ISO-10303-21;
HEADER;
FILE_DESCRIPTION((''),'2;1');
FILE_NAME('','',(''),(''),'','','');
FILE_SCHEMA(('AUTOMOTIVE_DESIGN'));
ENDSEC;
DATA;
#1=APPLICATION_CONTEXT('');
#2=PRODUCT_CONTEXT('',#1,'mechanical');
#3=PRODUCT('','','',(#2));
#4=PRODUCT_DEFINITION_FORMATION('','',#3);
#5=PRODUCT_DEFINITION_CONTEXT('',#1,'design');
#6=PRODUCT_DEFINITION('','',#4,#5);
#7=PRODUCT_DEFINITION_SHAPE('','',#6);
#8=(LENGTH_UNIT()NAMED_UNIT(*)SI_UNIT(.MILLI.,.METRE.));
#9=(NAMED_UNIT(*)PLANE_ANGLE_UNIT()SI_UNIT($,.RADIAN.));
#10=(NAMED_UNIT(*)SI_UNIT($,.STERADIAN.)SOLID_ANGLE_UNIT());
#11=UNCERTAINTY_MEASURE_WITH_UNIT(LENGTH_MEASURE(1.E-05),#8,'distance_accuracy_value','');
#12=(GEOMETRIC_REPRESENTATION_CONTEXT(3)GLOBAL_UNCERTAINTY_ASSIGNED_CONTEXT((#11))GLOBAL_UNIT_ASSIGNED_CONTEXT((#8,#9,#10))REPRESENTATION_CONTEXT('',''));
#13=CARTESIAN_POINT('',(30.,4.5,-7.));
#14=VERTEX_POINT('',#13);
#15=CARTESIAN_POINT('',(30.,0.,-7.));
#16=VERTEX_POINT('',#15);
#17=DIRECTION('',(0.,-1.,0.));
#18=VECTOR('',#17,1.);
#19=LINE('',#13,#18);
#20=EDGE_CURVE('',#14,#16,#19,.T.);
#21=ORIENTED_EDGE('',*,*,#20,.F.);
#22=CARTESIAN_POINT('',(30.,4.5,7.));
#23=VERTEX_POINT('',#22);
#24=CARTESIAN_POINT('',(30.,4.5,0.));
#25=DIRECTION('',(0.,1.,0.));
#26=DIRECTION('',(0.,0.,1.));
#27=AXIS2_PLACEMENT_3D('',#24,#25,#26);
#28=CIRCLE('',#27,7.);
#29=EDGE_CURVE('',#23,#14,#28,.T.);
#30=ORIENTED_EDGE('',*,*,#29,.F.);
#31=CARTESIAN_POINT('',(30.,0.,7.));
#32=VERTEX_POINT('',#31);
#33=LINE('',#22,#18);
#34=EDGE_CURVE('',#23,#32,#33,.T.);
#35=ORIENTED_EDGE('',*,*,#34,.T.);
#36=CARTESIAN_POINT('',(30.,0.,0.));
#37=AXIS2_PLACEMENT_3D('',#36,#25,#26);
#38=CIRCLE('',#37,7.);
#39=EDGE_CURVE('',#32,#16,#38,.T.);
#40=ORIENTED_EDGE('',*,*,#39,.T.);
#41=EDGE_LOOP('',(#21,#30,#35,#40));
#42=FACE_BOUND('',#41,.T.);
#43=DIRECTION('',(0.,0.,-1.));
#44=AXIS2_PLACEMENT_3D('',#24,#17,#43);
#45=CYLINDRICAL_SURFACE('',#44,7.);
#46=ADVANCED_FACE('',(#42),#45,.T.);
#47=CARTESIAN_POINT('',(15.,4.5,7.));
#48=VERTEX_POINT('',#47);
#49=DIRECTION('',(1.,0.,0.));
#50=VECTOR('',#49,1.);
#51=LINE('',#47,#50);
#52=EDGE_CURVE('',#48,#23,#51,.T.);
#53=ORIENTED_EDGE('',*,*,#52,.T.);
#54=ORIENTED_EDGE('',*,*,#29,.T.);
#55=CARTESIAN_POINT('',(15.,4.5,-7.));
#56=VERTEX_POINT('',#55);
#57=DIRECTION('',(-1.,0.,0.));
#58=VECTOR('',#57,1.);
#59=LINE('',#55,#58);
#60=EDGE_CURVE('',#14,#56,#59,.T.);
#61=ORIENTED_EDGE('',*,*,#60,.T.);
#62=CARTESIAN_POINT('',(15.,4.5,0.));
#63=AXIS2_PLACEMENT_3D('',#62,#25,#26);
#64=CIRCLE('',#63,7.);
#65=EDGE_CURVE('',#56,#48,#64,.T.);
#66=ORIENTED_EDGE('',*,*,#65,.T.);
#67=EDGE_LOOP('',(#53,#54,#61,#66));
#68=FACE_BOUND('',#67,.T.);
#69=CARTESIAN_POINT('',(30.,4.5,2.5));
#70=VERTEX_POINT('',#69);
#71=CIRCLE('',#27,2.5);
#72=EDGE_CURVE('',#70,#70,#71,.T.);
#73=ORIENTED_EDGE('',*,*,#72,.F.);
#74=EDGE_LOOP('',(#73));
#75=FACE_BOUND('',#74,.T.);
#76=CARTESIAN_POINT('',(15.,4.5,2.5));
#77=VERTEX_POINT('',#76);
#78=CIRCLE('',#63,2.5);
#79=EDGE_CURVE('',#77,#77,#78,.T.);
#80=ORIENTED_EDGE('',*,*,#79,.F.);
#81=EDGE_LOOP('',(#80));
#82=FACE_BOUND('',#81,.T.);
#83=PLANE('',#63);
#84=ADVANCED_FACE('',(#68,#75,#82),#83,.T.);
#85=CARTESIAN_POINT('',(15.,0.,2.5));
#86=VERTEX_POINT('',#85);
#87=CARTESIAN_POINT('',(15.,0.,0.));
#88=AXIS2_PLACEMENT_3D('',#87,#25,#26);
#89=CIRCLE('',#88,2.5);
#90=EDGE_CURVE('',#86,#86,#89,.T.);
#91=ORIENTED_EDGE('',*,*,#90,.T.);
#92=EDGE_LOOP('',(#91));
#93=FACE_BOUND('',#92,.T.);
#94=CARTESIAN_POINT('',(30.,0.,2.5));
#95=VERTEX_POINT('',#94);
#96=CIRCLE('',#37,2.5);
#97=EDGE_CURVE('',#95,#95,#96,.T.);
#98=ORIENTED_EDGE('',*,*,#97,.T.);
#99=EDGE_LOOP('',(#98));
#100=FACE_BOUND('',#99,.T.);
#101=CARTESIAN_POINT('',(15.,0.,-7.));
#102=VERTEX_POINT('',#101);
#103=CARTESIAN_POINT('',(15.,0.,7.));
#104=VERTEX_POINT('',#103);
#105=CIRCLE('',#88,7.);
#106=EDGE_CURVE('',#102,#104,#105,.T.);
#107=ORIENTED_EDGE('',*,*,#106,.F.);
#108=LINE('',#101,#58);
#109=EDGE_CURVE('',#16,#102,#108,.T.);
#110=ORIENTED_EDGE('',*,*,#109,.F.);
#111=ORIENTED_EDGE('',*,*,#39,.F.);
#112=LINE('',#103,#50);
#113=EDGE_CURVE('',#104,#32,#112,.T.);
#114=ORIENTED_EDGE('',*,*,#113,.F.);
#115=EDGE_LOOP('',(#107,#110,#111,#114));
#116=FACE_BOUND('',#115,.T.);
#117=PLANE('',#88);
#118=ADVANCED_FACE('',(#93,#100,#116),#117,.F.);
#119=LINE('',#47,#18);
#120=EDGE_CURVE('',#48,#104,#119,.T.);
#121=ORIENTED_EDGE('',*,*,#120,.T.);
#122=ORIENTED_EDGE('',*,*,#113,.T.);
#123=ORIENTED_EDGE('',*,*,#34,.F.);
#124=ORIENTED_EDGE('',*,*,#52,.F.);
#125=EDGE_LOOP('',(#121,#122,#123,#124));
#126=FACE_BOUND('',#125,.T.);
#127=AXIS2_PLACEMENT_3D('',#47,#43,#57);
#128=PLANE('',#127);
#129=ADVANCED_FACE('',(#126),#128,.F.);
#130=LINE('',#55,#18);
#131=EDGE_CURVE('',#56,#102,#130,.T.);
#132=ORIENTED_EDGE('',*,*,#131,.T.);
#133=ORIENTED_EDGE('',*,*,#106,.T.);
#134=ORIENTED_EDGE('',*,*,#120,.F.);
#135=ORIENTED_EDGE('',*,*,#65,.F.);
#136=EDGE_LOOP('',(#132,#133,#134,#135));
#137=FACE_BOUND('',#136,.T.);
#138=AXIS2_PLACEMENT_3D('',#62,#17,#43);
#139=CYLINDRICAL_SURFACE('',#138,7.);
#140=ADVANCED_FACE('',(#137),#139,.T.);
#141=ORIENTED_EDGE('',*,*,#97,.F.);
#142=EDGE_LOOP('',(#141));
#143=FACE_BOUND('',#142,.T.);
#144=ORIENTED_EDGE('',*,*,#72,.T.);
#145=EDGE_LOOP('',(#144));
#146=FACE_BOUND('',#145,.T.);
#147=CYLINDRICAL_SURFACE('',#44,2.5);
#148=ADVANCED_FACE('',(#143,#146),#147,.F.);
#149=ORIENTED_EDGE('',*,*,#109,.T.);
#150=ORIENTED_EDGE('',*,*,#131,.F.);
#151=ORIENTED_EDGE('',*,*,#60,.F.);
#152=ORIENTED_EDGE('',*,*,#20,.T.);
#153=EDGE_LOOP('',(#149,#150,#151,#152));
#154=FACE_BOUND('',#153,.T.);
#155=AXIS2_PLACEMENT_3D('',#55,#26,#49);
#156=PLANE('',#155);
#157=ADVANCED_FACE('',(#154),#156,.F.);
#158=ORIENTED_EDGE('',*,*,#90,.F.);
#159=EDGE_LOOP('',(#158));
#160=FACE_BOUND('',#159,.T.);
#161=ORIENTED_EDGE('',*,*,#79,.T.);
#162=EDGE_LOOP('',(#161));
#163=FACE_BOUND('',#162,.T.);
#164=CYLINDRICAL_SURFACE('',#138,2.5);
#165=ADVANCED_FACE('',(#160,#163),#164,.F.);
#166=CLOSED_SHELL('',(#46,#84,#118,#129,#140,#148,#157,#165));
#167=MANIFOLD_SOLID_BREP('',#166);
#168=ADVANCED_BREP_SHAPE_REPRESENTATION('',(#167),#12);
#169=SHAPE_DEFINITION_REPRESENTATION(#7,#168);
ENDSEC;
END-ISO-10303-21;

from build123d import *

# Parameters (mm, degrees)
SKETCH_1_R      = 2.5
EXTRUDE_1_DEPTH = 4.5


with BuildPart() as part:
    # Эскиз1 → Вытянуть1 (new body)
    with BuildSketch(Plane(origin=(0, 0, 0), x_dir=(1, 0, 0), z_dir=(0, 1, 0))):
        with BuildLine():
            Line((15, 7), (30, 7))
            ThreePointArc((30, 7), (37, 0), (30, -7))
            Line((30, -7), (15, -7))
            ThreePointArc((15, -7), (8, 0), (15, 7))
        make_face()
        with Locations(Location((15, 0, 0), (0, 0, 270))):
            Circle(SKETCH_1_R, mode=Mode.SUBTRACT)
        with Locations(Location((30, 0, 0), (0, 0, 270))):
            Circle(SKETCH_1_R, mode=Mode.SUBTRACT)
    extrude(amount=EXTRUDE_1_DEPTH)


solid = part.part
